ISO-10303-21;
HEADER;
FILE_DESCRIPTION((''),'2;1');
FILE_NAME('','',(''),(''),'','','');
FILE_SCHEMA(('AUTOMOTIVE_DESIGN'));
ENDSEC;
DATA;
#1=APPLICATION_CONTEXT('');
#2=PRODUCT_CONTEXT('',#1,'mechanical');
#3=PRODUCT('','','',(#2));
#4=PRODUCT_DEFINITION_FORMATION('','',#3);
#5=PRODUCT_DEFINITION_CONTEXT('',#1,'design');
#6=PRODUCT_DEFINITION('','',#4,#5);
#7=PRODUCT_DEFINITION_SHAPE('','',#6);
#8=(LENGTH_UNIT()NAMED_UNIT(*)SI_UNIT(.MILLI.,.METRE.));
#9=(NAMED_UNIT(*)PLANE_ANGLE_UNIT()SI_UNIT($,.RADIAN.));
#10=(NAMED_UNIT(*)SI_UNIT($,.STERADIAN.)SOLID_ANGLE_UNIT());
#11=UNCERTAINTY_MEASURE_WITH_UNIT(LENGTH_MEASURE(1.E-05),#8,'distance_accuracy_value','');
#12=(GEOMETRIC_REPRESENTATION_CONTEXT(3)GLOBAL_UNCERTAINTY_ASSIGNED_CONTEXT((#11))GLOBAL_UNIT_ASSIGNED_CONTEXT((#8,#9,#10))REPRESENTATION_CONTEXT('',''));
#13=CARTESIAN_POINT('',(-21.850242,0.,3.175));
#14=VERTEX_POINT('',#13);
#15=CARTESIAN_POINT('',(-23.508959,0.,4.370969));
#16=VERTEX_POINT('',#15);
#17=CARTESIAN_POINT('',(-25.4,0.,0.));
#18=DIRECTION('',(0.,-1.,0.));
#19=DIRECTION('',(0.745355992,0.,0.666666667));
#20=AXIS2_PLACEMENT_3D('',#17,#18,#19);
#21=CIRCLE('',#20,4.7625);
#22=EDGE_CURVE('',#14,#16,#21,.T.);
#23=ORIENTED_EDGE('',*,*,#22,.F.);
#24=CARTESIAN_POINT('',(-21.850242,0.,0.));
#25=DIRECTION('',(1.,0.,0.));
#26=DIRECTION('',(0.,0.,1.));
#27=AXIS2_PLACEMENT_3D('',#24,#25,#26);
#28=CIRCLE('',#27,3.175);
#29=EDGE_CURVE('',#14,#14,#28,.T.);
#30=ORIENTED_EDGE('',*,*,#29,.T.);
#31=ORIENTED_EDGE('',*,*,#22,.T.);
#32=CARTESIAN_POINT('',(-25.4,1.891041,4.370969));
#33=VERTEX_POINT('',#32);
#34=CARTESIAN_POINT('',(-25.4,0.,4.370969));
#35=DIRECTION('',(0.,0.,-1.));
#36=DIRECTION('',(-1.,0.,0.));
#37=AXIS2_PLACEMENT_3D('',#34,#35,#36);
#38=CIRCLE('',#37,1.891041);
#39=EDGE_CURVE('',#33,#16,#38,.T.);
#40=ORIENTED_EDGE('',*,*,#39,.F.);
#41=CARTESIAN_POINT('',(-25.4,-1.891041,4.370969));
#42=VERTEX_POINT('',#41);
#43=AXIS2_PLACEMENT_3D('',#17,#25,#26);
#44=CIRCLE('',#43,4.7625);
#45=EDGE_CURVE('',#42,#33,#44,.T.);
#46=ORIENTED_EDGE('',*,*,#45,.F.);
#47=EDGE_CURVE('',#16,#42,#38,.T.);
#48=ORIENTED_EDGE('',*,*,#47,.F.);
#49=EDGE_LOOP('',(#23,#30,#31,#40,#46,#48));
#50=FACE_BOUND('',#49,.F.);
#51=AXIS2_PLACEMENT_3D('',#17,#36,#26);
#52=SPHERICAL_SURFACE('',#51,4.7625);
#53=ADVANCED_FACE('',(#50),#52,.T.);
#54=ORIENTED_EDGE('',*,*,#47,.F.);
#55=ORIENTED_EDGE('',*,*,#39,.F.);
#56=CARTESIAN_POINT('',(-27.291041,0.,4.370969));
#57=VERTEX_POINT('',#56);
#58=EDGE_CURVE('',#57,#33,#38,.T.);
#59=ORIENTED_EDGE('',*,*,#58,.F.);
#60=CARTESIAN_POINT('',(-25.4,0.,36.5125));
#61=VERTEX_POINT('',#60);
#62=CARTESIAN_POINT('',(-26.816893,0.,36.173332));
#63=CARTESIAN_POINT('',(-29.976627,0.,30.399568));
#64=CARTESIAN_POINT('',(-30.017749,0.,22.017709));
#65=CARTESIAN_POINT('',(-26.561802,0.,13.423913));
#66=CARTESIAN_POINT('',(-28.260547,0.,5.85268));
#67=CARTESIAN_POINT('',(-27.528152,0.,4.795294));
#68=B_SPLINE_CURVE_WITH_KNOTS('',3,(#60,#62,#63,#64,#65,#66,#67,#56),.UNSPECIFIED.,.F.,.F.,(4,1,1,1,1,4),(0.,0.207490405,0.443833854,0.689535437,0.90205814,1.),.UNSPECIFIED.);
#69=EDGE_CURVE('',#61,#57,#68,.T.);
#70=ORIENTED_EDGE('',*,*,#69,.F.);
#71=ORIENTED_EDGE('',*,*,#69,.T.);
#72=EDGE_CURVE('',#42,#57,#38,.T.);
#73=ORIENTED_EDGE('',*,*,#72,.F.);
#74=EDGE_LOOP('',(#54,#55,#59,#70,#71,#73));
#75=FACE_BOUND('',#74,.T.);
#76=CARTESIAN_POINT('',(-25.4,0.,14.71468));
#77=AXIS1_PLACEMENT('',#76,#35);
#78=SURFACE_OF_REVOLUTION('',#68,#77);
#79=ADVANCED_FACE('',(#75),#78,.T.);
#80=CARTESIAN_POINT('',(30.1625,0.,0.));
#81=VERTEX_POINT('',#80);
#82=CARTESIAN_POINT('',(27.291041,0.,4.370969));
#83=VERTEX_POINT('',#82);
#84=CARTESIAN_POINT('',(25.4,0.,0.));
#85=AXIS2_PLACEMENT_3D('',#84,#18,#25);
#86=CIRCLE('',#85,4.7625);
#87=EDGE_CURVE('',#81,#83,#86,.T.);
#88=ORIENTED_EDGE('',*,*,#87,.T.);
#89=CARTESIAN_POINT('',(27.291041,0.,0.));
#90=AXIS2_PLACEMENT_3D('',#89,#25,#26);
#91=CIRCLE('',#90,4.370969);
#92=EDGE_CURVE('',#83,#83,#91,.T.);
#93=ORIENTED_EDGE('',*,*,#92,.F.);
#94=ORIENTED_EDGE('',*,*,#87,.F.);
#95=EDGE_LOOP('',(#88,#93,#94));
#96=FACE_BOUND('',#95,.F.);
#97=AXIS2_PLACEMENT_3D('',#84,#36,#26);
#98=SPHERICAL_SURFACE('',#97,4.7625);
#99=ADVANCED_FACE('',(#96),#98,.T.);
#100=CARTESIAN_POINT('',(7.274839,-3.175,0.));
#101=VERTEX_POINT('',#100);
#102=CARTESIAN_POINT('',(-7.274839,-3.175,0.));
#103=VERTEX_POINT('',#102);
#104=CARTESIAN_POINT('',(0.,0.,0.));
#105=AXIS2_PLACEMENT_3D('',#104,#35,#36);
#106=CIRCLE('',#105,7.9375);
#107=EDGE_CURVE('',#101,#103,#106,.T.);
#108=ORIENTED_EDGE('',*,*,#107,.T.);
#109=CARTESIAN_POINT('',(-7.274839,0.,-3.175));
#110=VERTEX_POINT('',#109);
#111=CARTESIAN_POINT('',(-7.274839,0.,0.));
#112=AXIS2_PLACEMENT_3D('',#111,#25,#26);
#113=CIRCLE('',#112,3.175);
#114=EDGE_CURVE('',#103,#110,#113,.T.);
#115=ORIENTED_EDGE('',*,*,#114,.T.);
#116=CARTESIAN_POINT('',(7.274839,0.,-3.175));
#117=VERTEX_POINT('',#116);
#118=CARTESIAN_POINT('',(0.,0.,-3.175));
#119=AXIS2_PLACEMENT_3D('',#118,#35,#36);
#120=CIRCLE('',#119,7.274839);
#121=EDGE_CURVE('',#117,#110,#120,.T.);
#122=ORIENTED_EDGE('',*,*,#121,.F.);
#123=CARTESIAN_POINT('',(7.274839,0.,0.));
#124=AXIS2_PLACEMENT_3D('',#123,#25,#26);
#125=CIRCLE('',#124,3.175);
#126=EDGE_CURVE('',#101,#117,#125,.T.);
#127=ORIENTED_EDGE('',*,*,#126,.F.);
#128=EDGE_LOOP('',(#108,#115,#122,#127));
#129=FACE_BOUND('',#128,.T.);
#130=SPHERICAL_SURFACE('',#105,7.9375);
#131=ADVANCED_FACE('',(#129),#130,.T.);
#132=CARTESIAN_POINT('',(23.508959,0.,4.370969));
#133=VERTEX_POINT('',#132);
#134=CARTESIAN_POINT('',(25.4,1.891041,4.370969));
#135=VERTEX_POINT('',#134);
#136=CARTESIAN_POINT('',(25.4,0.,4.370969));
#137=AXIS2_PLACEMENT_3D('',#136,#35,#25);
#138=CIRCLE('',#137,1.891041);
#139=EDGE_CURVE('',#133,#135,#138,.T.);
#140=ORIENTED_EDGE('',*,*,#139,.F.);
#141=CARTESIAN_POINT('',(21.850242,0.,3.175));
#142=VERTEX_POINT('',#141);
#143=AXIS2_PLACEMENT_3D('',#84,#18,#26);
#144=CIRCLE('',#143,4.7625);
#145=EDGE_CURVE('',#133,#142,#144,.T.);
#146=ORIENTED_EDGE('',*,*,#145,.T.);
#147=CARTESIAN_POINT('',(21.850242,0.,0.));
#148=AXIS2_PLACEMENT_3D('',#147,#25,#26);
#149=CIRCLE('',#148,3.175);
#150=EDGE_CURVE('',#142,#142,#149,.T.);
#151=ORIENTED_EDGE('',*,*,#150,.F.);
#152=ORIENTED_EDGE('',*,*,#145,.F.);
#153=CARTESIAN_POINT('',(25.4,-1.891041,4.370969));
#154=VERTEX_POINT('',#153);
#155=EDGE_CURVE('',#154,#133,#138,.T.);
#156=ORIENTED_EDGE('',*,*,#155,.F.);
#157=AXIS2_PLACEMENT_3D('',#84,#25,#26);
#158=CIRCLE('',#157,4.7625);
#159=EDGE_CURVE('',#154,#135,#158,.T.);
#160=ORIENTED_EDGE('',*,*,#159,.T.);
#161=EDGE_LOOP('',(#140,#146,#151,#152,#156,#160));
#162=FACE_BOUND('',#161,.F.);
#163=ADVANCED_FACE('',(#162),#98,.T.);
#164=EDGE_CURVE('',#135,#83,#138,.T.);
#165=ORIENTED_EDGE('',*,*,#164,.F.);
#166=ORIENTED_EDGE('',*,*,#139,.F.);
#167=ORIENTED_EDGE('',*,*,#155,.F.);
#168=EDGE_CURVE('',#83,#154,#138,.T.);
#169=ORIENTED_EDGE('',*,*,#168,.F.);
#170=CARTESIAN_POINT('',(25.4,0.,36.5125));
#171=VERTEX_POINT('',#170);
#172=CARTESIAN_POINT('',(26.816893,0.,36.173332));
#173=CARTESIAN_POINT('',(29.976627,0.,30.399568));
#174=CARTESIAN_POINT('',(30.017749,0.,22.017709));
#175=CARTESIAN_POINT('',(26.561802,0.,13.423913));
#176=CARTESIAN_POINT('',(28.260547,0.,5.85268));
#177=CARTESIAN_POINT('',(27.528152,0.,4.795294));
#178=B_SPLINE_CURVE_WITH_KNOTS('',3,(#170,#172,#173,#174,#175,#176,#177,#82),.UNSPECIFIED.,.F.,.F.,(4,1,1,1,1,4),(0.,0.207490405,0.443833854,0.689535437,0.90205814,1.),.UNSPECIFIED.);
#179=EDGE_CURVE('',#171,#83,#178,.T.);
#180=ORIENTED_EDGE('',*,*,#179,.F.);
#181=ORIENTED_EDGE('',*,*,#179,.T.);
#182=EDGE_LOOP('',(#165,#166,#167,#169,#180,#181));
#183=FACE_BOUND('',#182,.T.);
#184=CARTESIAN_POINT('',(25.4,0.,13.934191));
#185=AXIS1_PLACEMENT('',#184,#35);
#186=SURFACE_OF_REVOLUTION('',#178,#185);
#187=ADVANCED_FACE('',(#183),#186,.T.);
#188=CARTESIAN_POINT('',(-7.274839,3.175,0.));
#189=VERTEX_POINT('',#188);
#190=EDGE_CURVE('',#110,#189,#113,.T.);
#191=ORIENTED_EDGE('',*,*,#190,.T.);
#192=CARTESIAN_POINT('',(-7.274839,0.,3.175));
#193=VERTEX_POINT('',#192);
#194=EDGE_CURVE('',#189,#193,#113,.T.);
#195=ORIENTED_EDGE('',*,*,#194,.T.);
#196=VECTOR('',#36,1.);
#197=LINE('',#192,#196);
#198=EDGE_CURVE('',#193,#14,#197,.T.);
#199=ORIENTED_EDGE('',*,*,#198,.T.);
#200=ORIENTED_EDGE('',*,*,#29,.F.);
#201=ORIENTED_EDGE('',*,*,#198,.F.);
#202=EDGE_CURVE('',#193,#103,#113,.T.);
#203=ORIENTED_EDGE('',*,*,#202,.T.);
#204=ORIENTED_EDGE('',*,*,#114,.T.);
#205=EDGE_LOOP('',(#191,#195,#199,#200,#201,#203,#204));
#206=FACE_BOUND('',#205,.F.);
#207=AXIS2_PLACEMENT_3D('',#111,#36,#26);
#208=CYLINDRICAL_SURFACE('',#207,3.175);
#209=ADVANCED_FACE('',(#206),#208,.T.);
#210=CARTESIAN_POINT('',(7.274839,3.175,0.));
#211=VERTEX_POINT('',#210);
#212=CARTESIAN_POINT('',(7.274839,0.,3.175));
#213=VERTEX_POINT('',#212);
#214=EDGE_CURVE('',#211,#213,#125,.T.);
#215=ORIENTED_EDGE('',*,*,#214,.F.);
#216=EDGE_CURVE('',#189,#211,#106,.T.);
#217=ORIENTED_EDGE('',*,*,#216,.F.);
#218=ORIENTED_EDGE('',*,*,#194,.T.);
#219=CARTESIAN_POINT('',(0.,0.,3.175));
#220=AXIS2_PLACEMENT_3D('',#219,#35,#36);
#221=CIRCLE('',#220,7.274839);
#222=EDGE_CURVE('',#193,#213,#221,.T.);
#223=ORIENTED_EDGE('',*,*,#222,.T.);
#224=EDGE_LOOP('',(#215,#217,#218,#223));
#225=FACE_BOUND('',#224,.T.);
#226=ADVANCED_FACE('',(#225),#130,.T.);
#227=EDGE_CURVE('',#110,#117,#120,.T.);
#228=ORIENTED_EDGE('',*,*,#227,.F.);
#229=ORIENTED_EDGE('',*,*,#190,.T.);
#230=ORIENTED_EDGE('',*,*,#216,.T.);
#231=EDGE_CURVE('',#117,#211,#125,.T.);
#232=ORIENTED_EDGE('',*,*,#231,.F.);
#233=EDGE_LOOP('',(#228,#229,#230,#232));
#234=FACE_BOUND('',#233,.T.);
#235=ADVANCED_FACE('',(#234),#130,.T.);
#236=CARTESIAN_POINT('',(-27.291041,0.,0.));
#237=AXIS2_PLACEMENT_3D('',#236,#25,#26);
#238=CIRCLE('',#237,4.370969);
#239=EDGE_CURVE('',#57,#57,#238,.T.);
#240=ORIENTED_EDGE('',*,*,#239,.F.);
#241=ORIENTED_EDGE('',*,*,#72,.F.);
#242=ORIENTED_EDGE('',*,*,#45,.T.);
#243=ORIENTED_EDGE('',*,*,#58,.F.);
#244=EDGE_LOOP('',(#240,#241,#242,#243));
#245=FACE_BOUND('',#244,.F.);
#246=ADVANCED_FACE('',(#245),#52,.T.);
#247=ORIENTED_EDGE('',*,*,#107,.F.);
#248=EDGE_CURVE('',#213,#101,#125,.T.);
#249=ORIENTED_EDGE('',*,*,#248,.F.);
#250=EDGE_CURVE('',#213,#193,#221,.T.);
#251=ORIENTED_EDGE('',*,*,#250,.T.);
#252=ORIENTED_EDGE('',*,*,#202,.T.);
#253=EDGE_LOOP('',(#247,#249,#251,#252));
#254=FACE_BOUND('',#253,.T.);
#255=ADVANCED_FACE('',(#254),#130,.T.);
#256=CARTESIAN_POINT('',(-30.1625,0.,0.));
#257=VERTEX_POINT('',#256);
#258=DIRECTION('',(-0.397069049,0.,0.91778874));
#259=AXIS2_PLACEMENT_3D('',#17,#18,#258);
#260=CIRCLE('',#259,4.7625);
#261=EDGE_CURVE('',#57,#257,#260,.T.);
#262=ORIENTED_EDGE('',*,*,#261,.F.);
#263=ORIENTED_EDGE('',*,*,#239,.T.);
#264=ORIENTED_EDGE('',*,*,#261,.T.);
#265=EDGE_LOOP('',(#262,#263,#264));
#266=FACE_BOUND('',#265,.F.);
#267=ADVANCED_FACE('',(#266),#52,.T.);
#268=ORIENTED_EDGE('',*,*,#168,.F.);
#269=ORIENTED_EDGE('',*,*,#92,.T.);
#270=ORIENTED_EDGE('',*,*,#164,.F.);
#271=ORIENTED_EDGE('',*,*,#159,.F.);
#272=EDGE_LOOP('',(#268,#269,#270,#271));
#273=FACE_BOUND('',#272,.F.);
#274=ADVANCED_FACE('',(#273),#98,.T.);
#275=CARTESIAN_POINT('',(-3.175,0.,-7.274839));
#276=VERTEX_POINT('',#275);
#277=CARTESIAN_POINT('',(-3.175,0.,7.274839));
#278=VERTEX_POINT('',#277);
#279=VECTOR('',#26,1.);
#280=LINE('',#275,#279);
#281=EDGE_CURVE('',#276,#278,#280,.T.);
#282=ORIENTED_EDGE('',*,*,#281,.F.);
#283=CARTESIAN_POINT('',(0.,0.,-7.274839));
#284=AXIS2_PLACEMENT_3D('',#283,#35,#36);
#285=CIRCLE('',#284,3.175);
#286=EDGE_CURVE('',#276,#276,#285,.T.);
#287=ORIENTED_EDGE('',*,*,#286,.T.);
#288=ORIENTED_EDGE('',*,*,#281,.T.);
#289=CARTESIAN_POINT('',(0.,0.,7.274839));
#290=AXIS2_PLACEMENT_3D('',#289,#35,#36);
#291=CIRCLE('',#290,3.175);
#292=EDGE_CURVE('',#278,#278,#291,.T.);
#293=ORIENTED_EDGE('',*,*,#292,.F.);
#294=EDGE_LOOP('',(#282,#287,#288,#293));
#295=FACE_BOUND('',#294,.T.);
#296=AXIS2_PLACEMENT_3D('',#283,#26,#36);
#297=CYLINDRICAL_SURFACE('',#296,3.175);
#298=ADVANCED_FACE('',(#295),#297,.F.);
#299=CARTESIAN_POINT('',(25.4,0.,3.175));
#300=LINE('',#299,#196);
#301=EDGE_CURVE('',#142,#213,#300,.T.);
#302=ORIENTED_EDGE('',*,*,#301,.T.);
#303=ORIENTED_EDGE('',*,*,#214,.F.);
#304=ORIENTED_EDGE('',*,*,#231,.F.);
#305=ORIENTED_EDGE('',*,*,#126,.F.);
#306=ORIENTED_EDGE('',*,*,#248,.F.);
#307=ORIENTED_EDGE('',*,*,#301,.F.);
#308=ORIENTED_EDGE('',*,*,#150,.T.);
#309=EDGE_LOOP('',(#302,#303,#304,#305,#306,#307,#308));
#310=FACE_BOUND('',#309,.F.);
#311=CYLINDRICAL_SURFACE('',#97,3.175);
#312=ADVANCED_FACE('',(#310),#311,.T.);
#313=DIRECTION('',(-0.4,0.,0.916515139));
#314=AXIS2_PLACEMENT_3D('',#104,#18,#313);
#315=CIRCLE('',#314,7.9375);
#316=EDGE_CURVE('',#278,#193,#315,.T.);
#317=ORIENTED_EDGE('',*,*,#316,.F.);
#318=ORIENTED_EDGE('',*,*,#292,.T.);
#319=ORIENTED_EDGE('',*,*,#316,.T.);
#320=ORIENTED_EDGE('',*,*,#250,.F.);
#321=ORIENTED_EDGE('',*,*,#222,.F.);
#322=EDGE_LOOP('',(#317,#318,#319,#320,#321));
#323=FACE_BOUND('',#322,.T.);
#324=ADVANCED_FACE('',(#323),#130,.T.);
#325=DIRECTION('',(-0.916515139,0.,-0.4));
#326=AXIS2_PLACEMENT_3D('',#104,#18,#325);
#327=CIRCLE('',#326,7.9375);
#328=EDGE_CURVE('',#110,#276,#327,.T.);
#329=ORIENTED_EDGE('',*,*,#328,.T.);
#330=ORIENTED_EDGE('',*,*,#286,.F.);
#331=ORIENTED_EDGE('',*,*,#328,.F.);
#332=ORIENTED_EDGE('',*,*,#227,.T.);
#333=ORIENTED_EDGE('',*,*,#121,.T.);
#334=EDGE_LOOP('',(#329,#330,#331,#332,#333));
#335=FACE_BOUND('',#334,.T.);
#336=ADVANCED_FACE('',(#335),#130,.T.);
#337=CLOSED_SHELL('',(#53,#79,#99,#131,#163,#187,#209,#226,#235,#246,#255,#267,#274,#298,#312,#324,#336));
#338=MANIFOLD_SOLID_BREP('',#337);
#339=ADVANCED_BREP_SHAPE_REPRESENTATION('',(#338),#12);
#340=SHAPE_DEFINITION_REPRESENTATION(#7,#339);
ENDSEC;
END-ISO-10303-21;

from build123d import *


with BuildPart() as f1:
    # F0 (on Front) → F1 (revolve)
    with BuildSketch(Plane.XZ):
        with BuildLine():
            Line((-7.9375, 0), (-3.175, 0))
            Line((-3.175, 0), (-3.175, 3.175))
            Line((-3.175, 3.175), (-7.2748389157, 3.175))
            ThreePointArc((-7.2748389157, 3.175), (-7.7700688589, 1.6217077968), (-7.9375, 0))
        make_face()
        with BuildLine():
            Line((-3.175, -3.175), (-3.175, 0))
            Line((-3.175, 0), (-7.9375, 0))
            ThreePointArc((-7.9375, 0), (-7.7700688589, -1.6217077968), (-7.2748389157, -3.175))
            Line((-7.2748389157, -3.175), (-3.175, -3.175))
        make_face()
        with BuildLine():
            Line((-3.175, 3.175), (-3.175, 7.2748389157))
            ThreePointArc((-3.175, 7.2748389157), (-5.6126600757, 5.6126600757), (-7.2748389157, 3.175))
            Line((-7.2748389157, 3.175), (-3.175, 3.175))
        make_face()
        with BuildLine():
            ThreePointArc((-7.2748389157, -3.175), (-5.6126600757, -5.6126600757), (-3.175, -7.2748389157))
            Line((-3.175, -7.2748389157), (-3.175, -3.175))
            Line((-3.175, -3.175), (-7.2748389157, -3.175))
        make_face()
    revolve(axis=Axis((0, 0, -5.1538590342), (0, 0, -1)))

    # F0 (on Front) → F2 (revolve)
    with BuildSketch(Plane.XZ):
        with BuildLine():
            Line((-20.6375, 0), (-7.9375, 0))
            ThreePointArc((-7.9375, 0), (-7.7700688589, 1.6217077968), (-7.2748389157, 3.175))
            Line((-7.2748389157, 3.175), (-21.8502420857, 3.175))
            ThreePointArc((-21.8502420857, 3.175), (-20.9510041404, 1.6993652025), (-20.6375, 0))
        make_face()
        with BuildLine():
            ThreePointArc((7.2748389157, 3.175), (7.7700688589, 1.6217077968), (7.9375, 0))
            Line((7.9375, 0), (20.6375, 0))
            ThreePointArc((20.6375, 0), (20.9510041404, 1.6993652025), (21.8502420857, 3.175))
            Line((21.8502420857, 3.175), (7.2748389157, 3.175))
        make_face()
        with BuildLine():
            Line((-30.1625, 0), (-25.4, 0))
            Line((-25.4, 0), (-25.4, 3.175))
            Line((-25.4, 3.175), (-25.4, 4.7625))
            ThreePointArc((-25.4, 4.7625), (-26.36557418, 4.6635901142), (-27.2910413441, 4.3709688726))
            ThreePointArc((-27.2910413441, 4.3709688726), (-29.3804202448, 2.6148921439), (-30.1625, 0))
        make_face()
        with BuildLine():
            Line((-25.4, 0), (-20.6375, 0))
            ThreePointArc((-20.6375, 0), (-20.9510041404, 1.6993652025), (-21.8502420857, 3.175))
            Line((-21.8502420857, 3.175), (-25.4, 3.175))
            Line((-25.4, 3.175), (-25.4, 0))
        make_face()
        with BuildLine():
            Line((-25.4, 3.175), (-21.8502420857, 3.175))
            ThreePointArc((-21.8502420857, 3.175), (-23.4557175167, 4.3475478002), (-25.4, 4.7625))
            Line((-25.4, 4.7625), (-25.4, 3.175))
        make_face()
        with BuildLine():
            ThreePointArc((21.8502420857, 3.175), (20.9510041404, 1.6993652025), (20.6375, 0))
            Line((20.6375, 0), (25.4, 0))
            Line((25.4, 0), (25.4, 3.175))
            Line((25.4, 3.175), (21.8502420857, 3.175))
        make_face()
        with BuildLine():
            ThreePointArc((25.4, 4.7625), (23.4557175167, 4.3475478002), (21.8502420857, 3.175))
            Line((21.8502420857, 3.175), (25.4, 3.175))
            Line((25.4, 3.175), (25.4, 4.7625))
        make_face()
        with BuildLine():
            Line((25.4, 3.175), (25.4, 0))
            Line((25.4, 0), (30.1625, 0))
            ThreePointArc((30.1625, 0), (29.3804202448, 2.6148921439), (27.2910413441, 4.3709688726))
            ThreePointArc((27.2910413441, 4.3709688726), (26.36557418, 4.6635901142), (25.4, 4.7625))
            Line((25.4, 4.7625), (25.4, 3.175))
        make_face()
    revolve(axis=Axis((0.3062523901, 0, 0), (1, 0, 0)))

    # F0 (on Front) → F3 (revolve)
    with BuildSketch(Plane.XZ):
        with BuildLine():
            ThreePointArc((-27.2910413441, 4.3709688726), (-26.36557418, 4.6635901142), (-25.4, 4.7625))
            Line((-25.4, 4.7625), (-25.4, 36.5125))
            add(Edge.make_bspline(
                [(-25.4, 36.5125), (-26.816893369, 36.1733324826), (-29.9766271953, 30.3995680819), (-30.0177491556, 22.0177094067), (-26.5618020908, 13.4239134261), (-28.2605474591, 5.8526801132), (-27.5281520721, 4.7952938673), (-27.2910413441, 4.3709688726)],
                knots=[0, 0, 0, 0, 0.2074904054, 0.4438338536, 0.6895354369, 0.9020581403, 1, 1, 1, 1], degree=3))
        make_face()
    revolve(axis=Axis((-25.4, 0, 14.7146796808), (0, 0, -1)))

    # F0 (on Front) → F4 (revolve)
    with BuildSketch(Plane.XZ):
        with BuildLine():
            Line((25.4, 36.5125), (25.4, 4.7625))
            ThreePointArc((25.4, 4.7625), (26.36557418, 4.6635901142), (27.2910413441, 4.3709688726))
            add(Edge.make_bspline(
                [(25.4, 36.5125), (26.816893369, 36.1733324826), (29.9766271953, 30.3995680819), (30.0177491556, 22.0177094067), (26.5618020908, 13.4239134261), (28.2605474591, 5.8526801132), (27.5281520721, 4.7952938673), (27.2910413441, 4.3709688726)],
                knots=[0, 0, 0, 0, 0.2074904054, 0.4438338536, 0.6895354369, 0.9020581403, 1, 1, 1, 1], degree=3))
        make_face()
    revolve(axis=Axis((25.4, 0, 13.9341913164), (0, 0, -1)))


solid = f1.part
